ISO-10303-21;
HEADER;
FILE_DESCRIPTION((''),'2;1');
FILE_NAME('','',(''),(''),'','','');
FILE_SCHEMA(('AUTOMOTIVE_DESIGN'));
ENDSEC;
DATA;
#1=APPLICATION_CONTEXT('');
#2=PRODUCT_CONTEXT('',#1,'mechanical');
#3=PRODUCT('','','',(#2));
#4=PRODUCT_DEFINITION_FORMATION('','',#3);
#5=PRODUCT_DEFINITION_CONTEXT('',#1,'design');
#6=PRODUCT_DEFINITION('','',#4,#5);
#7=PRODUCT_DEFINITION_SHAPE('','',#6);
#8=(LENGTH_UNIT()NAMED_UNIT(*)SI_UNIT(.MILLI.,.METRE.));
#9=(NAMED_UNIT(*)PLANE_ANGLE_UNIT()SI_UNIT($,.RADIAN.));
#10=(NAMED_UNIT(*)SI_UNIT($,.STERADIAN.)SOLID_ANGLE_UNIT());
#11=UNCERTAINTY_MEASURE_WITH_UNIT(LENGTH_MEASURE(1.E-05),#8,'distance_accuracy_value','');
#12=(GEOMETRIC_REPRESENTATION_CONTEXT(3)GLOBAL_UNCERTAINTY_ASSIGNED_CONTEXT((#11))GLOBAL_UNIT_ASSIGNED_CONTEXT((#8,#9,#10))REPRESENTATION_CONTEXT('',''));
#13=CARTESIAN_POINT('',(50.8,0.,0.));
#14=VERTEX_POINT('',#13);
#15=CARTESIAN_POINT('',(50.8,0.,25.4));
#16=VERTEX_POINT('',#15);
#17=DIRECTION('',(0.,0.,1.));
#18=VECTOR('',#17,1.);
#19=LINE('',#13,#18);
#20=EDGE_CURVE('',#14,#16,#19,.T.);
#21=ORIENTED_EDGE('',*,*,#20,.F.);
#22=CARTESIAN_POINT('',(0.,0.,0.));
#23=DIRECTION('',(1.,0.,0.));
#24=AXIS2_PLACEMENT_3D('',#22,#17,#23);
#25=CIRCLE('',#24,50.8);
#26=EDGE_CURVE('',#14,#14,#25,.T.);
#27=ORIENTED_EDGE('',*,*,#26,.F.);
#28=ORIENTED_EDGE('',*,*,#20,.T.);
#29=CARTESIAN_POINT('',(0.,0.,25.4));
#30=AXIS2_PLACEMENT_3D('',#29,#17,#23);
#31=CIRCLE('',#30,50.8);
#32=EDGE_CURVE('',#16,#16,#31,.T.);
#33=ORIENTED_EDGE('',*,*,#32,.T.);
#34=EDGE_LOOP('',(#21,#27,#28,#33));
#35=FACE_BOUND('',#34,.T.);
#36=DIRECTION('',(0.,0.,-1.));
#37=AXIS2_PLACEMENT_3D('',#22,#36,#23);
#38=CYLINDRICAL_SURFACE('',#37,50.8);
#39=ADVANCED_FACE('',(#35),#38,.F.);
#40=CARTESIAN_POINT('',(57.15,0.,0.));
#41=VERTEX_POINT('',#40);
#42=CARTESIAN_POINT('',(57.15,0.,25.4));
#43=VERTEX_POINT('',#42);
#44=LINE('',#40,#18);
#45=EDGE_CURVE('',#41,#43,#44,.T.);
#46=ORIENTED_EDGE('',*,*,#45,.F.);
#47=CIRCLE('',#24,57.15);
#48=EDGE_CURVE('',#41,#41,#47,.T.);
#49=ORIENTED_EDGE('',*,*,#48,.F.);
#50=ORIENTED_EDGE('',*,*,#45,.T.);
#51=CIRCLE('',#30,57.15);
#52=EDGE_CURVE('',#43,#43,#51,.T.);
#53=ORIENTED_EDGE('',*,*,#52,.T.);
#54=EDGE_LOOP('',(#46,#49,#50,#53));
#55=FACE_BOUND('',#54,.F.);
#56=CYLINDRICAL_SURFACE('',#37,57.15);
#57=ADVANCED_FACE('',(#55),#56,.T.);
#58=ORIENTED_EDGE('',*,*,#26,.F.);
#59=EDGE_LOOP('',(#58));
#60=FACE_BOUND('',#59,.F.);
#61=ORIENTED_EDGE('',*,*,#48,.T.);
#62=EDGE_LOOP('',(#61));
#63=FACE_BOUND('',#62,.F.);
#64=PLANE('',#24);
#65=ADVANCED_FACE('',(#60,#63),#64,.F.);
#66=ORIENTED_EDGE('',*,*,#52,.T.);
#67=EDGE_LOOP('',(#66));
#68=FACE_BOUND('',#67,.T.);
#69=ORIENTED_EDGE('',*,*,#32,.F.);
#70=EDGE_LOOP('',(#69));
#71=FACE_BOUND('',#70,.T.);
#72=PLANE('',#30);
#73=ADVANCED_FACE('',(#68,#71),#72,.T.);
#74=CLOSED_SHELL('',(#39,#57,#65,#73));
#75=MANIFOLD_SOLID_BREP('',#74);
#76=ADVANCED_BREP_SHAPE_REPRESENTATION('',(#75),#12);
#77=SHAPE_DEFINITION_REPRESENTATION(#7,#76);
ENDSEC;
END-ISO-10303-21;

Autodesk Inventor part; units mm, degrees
ref_plane "YZ Plane" through (0, 0, 0) normal (1, 0, 0) x (0, 1, 0)
ref_plane "XZ Plane" through (0, 0, 0) normal (0, 1, 0) x (-1, 0, 0)
ref_plane "XY Plane" through (0, 0, 0) normal (0, 0, 1) x (1, 0, 0)
sketch "Sketch1" plane through (0, 0, 0) normal (0, 0, 1) x (1, 0, 0)
  circle A0 centre (0, 0) radius 50.8
  circle A1 centre (0, 0) radius 57.15
  dimension "d0" = 101.6
  dimension "d1" = 114.3
extrude "Extrusion1" add sketch "Sketch1" along normal blind 25.4
properties part number "Hweel ring"
